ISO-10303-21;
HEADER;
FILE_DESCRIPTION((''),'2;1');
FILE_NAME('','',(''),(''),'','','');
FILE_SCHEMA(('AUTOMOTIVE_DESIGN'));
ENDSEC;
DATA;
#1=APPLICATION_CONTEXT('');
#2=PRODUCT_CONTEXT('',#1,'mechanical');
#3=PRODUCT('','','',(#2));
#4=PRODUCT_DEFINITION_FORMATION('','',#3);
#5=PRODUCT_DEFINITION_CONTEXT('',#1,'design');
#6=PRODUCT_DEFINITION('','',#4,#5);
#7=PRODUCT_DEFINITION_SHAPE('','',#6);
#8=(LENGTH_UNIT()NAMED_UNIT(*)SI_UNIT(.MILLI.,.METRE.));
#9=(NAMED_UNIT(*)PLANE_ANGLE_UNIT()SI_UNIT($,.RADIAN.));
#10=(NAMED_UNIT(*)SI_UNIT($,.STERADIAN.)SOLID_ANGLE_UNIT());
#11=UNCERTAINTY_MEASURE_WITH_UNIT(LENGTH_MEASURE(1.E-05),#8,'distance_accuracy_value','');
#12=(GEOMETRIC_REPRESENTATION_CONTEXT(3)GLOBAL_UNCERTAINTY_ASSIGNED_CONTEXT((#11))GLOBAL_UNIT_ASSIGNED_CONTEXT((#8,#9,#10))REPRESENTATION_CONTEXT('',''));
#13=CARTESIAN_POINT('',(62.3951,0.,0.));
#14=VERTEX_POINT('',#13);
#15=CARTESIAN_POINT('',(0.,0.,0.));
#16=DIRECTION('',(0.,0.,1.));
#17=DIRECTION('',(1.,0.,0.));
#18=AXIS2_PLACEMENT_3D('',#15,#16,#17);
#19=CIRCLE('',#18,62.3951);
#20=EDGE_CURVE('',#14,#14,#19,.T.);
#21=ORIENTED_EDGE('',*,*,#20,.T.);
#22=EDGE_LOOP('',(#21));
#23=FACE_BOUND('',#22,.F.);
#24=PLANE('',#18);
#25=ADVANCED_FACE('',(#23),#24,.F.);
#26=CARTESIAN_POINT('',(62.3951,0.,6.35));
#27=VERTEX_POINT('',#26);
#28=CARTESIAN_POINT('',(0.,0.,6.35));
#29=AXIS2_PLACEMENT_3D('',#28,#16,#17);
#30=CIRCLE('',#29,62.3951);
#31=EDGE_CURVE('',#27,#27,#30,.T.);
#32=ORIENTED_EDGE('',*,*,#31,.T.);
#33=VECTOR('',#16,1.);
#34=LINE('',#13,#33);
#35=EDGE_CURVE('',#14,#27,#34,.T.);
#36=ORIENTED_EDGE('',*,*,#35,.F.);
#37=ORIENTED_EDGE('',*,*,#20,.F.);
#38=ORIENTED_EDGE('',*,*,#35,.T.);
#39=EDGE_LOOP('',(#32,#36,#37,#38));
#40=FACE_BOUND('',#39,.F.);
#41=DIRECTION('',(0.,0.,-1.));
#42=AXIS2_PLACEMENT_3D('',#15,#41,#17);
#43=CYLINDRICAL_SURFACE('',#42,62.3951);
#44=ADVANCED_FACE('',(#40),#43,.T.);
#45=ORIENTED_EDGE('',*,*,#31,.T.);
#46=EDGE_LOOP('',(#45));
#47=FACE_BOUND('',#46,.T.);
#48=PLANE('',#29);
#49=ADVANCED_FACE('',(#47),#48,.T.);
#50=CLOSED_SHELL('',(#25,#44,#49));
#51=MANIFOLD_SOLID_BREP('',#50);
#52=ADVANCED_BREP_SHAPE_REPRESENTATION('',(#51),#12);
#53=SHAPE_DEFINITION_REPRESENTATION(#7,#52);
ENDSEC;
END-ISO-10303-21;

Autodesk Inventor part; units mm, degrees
ref_plane "YZ Plane" through (0, 0, 0) normal (1, 0, 0) x (0, 1, 0)
ref_plane "XZ Plane" through (0, 0, 0) normal (0, 1, 0) x (-1, 0, 0)
ref_plane "XY Plane" through (0, 0, 0) normal (0, 0, 1) x (1, 0, 0)
sketch "Sketch1" plane through (0, 0, 0) normal (0, 0, 1) x (1, 0, 0)
  circle A0 centre (0, 0) radius 62.3951
  dimension "d0" = 124.7902
  dimension "d0" = 124.7902
extrude "Extrusion1" add sketch "Sketch1" along normal blind 6.35
properties part number "sprocketsprocket"
